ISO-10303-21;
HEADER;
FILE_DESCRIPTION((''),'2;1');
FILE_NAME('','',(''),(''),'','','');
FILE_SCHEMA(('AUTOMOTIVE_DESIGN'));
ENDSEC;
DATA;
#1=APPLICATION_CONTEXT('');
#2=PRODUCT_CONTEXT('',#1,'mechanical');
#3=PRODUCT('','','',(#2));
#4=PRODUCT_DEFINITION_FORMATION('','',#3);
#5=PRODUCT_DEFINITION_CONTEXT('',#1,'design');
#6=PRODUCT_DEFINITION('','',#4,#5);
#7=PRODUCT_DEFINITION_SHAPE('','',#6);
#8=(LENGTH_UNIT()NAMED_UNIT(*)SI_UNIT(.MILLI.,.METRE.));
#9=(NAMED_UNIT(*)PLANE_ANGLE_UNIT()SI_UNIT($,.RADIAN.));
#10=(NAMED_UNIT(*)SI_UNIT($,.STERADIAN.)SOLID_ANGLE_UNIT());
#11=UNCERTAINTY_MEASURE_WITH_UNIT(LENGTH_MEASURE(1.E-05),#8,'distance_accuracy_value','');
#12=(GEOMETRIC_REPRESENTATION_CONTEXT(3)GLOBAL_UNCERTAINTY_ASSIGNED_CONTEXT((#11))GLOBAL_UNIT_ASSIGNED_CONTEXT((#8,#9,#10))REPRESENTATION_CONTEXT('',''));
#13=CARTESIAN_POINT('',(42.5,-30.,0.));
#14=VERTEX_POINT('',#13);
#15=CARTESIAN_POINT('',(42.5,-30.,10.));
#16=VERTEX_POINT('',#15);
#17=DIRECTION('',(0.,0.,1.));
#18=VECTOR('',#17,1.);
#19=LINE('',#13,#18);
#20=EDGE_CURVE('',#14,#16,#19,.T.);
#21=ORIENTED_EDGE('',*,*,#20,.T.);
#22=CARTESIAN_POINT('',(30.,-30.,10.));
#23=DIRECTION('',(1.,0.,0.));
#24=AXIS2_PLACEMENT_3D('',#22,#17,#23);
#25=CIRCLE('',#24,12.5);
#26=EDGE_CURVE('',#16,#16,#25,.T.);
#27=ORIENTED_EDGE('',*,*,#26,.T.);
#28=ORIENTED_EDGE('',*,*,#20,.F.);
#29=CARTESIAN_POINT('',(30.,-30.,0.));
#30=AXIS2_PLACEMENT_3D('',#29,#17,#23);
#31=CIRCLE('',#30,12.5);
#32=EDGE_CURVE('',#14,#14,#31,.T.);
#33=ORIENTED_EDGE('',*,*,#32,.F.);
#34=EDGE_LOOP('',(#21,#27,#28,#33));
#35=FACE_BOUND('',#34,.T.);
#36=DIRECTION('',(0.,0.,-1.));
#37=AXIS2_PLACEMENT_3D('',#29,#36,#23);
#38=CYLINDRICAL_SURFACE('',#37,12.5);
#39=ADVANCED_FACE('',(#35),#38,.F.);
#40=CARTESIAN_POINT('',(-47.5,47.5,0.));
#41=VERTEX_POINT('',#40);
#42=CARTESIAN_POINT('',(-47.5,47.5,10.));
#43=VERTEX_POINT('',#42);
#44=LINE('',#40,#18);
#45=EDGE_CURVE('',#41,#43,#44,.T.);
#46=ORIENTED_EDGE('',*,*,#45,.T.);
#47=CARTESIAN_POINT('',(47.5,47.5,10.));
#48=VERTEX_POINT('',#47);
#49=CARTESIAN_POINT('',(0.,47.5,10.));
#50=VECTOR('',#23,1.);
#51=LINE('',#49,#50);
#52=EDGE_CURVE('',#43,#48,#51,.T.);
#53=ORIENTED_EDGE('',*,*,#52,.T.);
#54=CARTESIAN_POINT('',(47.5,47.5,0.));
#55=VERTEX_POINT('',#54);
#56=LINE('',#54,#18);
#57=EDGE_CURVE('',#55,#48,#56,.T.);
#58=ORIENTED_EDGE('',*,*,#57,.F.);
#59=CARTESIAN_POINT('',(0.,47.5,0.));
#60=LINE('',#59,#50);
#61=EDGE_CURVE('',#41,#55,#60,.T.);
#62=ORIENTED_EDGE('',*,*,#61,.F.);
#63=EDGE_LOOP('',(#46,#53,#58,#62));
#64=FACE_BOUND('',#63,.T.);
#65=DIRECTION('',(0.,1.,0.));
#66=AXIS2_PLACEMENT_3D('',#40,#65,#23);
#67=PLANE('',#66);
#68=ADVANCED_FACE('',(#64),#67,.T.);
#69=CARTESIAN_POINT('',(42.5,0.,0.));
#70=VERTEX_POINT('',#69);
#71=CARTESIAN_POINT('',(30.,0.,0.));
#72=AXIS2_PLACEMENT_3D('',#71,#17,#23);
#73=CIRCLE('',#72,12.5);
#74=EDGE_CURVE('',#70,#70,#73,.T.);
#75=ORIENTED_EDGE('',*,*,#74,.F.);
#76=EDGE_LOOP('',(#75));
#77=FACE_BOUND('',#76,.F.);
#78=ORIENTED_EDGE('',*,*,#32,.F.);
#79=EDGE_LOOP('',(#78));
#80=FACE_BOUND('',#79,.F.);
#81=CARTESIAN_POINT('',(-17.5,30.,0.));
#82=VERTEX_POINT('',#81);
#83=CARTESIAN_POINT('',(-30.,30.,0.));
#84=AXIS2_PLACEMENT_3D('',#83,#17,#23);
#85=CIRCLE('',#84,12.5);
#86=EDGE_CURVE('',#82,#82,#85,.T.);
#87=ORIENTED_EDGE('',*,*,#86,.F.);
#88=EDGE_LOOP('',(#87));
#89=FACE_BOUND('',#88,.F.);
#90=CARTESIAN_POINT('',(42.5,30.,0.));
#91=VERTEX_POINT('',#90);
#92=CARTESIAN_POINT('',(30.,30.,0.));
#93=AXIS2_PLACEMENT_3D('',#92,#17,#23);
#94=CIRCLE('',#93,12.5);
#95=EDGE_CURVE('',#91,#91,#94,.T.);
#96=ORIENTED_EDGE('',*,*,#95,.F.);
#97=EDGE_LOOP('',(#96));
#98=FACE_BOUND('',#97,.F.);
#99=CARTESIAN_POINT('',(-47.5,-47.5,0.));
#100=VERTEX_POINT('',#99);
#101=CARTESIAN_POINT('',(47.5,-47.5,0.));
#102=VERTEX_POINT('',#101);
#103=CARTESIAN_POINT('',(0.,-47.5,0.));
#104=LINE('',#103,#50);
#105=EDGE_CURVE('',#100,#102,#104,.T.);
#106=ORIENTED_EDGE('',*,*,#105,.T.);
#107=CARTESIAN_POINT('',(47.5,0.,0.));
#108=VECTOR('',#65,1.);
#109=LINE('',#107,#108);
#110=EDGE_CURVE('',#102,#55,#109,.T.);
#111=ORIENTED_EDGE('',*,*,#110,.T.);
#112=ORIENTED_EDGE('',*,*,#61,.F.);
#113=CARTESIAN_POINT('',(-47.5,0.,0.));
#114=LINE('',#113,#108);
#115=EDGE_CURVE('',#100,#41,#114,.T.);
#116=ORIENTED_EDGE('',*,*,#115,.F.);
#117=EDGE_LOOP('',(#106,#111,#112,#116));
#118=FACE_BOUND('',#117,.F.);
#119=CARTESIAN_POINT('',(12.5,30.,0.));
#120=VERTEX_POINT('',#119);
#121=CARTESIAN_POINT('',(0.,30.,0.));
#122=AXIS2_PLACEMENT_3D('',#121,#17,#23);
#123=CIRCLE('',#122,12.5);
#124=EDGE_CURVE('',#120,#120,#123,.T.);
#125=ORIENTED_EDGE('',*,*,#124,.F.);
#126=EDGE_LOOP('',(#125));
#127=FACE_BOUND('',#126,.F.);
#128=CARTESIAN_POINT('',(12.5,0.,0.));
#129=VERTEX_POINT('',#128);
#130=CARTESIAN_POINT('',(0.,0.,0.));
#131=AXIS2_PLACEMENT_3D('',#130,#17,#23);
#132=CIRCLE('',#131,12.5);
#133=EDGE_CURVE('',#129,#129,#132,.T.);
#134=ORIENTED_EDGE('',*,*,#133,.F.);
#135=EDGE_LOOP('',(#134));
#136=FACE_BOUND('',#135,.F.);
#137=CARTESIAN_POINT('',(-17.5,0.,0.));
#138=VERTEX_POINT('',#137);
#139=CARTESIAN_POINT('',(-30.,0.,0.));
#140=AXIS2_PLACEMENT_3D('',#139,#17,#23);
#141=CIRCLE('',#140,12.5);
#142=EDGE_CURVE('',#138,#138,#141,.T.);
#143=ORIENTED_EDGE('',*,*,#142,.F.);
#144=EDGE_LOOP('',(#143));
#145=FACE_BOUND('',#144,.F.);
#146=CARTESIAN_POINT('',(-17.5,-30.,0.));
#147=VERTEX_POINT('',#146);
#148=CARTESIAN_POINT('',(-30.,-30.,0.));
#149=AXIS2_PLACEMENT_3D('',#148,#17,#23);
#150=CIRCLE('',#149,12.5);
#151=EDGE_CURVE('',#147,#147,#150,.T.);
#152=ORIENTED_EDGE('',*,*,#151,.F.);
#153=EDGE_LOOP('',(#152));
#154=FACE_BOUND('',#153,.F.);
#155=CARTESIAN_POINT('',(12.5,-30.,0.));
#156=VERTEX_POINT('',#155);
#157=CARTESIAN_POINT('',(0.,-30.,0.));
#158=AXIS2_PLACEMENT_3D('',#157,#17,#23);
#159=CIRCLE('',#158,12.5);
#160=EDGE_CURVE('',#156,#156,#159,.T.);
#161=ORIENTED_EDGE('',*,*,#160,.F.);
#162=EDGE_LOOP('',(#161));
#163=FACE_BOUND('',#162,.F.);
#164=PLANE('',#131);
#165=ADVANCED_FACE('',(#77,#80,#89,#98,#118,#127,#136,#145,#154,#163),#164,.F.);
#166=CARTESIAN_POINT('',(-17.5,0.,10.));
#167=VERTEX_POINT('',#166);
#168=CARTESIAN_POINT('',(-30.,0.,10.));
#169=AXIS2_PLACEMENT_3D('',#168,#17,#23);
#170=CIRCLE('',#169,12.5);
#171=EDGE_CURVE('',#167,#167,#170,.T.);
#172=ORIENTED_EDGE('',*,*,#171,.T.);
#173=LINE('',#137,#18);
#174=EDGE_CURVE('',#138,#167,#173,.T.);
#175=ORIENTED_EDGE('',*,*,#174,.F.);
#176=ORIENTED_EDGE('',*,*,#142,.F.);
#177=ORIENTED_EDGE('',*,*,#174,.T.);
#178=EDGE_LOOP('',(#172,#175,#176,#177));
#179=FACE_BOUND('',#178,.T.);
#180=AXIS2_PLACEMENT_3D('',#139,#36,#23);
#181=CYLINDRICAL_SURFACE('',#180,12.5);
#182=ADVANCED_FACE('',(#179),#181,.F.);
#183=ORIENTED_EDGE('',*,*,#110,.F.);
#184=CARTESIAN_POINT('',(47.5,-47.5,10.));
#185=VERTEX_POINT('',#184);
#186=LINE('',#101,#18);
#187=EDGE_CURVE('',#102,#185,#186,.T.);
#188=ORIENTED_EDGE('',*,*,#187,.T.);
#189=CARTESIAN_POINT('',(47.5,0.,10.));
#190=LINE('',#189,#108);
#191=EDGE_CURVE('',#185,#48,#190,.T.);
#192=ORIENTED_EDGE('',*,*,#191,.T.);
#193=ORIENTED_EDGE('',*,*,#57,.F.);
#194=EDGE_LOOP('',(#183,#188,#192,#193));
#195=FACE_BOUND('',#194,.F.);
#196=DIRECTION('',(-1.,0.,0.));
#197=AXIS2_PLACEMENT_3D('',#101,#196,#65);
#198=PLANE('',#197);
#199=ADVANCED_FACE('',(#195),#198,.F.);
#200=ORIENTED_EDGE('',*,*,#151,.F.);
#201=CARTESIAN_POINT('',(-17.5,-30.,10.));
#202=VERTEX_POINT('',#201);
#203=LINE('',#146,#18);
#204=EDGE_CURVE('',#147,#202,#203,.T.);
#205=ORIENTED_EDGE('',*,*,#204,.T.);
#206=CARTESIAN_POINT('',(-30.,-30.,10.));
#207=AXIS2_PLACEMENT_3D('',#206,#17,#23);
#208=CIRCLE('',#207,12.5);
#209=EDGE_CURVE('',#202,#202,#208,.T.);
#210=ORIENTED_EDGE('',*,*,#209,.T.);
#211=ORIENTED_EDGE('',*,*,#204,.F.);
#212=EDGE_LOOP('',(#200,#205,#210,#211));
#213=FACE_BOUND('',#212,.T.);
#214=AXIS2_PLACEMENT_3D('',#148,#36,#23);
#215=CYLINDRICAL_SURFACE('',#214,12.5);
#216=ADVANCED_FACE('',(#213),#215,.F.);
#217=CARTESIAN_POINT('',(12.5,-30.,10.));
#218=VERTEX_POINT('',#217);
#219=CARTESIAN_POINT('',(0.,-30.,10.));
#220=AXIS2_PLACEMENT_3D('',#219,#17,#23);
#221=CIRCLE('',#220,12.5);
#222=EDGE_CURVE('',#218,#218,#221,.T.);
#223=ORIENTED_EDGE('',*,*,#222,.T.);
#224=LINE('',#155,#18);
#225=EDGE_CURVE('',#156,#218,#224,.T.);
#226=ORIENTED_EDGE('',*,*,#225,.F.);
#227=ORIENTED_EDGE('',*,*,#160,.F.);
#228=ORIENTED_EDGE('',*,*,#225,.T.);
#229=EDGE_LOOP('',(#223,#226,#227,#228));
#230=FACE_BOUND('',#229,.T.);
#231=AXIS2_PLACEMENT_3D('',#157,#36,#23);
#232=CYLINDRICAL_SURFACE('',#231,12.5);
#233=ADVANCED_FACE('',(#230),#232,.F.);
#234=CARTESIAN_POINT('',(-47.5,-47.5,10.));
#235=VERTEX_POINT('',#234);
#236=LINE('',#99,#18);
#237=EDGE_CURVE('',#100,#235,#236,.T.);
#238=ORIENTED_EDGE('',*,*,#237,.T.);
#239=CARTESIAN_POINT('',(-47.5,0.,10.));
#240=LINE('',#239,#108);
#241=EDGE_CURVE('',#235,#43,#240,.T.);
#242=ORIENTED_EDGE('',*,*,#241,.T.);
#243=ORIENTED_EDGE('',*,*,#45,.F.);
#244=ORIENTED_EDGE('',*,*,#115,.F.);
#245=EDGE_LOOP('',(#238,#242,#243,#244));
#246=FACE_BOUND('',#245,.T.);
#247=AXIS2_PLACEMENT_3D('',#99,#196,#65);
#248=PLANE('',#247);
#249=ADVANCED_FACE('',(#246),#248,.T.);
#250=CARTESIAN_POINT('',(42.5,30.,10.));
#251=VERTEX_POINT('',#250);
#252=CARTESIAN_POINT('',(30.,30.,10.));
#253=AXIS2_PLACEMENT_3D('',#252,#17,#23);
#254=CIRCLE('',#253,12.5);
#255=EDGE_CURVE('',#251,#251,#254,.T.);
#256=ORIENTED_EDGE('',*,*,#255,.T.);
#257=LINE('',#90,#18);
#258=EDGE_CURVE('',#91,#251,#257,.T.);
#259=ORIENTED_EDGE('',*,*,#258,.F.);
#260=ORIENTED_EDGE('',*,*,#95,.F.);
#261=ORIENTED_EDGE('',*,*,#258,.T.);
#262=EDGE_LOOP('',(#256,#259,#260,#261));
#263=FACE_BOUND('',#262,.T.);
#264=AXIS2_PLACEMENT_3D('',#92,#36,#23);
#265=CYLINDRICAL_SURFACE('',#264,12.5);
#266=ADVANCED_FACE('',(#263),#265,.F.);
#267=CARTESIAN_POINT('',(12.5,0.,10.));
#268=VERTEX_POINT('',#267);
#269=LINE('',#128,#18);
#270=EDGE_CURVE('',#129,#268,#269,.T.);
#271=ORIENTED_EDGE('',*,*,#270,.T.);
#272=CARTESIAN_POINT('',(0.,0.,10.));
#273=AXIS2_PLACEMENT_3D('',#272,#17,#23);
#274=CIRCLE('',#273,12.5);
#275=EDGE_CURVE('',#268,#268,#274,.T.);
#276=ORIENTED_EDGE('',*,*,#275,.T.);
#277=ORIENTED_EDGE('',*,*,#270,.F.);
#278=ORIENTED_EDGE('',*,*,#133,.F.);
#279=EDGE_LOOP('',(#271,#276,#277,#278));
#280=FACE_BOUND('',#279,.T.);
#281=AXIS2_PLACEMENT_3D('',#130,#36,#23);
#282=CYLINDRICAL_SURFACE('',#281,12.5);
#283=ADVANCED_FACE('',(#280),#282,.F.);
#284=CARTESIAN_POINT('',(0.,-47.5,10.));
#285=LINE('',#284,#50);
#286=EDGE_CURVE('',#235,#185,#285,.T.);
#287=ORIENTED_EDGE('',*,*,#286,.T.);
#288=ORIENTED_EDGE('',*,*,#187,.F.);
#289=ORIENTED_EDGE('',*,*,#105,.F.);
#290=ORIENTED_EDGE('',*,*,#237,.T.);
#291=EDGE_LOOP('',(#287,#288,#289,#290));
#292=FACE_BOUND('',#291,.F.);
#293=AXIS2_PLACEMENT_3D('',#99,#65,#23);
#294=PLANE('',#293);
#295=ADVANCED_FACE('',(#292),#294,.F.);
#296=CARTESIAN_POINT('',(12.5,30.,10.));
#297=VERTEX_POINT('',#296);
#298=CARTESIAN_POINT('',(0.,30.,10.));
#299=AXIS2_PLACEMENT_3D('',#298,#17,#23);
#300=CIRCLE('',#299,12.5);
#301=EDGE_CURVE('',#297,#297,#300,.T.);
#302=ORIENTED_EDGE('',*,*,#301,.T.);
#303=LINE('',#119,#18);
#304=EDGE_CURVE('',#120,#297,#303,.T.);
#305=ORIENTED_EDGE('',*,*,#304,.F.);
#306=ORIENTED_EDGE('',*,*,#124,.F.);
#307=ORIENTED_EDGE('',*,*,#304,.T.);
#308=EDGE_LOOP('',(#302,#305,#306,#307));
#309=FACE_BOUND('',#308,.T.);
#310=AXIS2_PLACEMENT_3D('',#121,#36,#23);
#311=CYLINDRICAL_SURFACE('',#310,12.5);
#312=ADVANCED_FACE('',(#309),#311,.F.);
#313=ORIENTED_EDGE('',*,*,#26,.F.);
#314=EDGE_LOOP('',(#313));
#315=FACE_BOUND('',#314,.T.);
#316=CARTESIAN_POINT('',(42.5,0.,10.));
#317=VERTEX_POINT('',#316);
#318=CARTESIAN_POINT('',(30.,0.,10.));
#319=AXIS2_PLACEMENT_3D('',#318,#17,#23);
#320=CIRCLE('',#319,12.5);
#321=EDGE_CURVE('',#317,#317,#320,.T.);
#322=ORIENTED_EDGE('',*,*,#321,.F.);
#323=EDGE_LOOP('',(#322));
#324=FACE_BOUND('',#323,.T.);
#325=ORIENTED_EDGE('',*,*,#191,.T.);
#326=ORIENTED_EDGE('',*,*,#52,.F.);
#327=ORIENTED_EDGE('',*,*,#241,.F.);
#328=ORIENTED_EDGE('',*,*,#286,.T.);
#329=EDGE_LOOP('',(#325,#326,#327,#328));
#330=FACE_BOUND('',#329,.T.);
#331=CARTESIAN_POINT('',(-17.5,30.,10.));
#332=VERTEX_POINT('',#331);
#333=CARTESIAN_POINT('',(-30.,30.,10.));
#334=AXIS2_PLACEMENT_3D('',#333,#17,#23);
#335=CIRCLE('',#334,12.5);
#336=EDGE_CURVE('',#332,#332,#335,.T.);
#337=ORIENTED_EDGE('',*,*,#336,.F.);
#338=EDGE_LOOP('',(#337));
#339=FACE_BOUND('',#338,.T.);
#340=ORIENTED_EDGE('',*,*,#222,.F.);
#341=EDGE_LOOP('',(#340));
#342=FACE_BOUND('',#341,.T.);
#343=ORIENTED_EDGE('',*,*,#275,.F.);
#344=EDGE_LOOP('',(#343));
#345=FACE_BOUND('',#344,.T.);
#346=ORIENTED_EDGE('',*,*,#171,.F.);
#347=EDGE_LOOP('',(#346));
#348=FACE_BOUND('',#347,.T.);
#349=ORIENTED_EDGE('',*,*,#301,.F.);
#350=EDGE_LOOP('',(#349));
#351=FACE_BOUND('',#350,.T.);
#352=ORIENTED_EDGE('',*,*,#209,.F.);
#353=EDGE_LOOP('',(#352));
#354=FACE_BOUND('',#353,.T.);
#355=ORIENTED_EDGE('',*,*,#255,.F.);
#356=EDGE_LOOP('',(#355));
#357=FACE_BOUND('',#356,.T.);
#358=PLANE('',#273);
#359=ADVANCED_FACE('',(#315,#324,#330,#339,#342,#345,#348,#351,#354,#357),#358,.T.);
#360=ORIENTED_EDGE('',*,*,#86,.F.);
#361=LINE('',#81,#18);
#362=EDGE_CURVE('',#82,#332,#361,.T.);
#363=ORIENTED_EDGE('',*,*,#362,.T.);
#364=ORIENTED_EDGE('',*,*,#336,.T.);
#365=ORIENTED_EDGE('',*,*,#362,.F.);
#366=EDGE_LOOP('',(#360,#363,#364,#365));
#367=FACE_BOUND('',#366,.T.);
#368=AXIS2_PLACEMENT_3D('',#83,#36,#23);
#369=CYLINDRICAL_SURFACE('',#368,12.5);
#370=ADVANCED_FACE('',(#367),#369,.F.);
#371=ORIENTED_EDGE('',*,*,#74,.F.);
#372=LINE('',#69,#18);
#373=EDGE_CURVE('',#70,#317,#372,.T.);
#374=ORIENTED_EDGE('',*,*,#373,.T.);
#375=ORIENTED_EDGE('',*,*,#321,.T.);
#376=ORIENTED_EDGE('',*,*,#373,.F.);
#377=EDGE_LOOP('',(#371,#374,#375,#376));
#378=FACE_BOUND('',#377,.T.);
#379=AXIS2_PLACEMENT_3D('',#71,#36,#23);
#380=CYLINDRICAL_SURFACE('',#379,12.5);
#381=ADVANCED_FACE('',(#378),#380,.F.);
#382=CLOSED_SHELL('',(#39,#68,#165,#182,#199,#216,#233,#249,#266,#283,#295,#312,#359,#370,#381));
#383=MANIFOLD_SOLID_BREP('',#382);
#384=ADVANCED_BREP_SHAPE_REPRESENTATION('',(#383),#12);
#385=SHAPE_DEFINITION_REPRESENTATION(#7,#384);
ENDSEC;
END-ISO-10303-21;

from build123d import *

# Parameters (mm, degrees)
F0_W     = 95
F0_H     = 95
F0_R     = 12.5
F1_DEPTH = 10


with BuildPart() as f1:
    # F0 (on Top) → F1 (new body)
    with BuildSketch(Plane.XY):
        Rectangle(F0_W, F0_H)
        with Locations((-30, -30)):
            Circle(F0_R, mode=Mode.SUBTRACT)
        with Locations((0, -30)):
            Circle(F0_R, mode=Mode.SUBTRACT)
        with Locations((30, -30)):
            Circle(F0_R, mode=Mode.SUBTRACT)
        with Locations((-30, 0)):
            Circle(F0_R, mode=Mode.SUBTRACT)
        with Locations((-30, 30)):
            Circle(F0_R, mode=Mode.SUBTRACT)
        Circle(F0_R, mode=Mode.SUBTRACT)
        with Locations((30, 0)):
            Circle(F0_R, mode=Mode.SUBTRACT)
        with Locations((0, 30)):
            Circle(F0_R, mode=Mode.SUBTRACT)
        with Locations((30, 30)):
            Circle(F0_R, mode=Mode.SUBTRACT)
    extrude(amount=F1_DEPTH)


solid = f1.part
